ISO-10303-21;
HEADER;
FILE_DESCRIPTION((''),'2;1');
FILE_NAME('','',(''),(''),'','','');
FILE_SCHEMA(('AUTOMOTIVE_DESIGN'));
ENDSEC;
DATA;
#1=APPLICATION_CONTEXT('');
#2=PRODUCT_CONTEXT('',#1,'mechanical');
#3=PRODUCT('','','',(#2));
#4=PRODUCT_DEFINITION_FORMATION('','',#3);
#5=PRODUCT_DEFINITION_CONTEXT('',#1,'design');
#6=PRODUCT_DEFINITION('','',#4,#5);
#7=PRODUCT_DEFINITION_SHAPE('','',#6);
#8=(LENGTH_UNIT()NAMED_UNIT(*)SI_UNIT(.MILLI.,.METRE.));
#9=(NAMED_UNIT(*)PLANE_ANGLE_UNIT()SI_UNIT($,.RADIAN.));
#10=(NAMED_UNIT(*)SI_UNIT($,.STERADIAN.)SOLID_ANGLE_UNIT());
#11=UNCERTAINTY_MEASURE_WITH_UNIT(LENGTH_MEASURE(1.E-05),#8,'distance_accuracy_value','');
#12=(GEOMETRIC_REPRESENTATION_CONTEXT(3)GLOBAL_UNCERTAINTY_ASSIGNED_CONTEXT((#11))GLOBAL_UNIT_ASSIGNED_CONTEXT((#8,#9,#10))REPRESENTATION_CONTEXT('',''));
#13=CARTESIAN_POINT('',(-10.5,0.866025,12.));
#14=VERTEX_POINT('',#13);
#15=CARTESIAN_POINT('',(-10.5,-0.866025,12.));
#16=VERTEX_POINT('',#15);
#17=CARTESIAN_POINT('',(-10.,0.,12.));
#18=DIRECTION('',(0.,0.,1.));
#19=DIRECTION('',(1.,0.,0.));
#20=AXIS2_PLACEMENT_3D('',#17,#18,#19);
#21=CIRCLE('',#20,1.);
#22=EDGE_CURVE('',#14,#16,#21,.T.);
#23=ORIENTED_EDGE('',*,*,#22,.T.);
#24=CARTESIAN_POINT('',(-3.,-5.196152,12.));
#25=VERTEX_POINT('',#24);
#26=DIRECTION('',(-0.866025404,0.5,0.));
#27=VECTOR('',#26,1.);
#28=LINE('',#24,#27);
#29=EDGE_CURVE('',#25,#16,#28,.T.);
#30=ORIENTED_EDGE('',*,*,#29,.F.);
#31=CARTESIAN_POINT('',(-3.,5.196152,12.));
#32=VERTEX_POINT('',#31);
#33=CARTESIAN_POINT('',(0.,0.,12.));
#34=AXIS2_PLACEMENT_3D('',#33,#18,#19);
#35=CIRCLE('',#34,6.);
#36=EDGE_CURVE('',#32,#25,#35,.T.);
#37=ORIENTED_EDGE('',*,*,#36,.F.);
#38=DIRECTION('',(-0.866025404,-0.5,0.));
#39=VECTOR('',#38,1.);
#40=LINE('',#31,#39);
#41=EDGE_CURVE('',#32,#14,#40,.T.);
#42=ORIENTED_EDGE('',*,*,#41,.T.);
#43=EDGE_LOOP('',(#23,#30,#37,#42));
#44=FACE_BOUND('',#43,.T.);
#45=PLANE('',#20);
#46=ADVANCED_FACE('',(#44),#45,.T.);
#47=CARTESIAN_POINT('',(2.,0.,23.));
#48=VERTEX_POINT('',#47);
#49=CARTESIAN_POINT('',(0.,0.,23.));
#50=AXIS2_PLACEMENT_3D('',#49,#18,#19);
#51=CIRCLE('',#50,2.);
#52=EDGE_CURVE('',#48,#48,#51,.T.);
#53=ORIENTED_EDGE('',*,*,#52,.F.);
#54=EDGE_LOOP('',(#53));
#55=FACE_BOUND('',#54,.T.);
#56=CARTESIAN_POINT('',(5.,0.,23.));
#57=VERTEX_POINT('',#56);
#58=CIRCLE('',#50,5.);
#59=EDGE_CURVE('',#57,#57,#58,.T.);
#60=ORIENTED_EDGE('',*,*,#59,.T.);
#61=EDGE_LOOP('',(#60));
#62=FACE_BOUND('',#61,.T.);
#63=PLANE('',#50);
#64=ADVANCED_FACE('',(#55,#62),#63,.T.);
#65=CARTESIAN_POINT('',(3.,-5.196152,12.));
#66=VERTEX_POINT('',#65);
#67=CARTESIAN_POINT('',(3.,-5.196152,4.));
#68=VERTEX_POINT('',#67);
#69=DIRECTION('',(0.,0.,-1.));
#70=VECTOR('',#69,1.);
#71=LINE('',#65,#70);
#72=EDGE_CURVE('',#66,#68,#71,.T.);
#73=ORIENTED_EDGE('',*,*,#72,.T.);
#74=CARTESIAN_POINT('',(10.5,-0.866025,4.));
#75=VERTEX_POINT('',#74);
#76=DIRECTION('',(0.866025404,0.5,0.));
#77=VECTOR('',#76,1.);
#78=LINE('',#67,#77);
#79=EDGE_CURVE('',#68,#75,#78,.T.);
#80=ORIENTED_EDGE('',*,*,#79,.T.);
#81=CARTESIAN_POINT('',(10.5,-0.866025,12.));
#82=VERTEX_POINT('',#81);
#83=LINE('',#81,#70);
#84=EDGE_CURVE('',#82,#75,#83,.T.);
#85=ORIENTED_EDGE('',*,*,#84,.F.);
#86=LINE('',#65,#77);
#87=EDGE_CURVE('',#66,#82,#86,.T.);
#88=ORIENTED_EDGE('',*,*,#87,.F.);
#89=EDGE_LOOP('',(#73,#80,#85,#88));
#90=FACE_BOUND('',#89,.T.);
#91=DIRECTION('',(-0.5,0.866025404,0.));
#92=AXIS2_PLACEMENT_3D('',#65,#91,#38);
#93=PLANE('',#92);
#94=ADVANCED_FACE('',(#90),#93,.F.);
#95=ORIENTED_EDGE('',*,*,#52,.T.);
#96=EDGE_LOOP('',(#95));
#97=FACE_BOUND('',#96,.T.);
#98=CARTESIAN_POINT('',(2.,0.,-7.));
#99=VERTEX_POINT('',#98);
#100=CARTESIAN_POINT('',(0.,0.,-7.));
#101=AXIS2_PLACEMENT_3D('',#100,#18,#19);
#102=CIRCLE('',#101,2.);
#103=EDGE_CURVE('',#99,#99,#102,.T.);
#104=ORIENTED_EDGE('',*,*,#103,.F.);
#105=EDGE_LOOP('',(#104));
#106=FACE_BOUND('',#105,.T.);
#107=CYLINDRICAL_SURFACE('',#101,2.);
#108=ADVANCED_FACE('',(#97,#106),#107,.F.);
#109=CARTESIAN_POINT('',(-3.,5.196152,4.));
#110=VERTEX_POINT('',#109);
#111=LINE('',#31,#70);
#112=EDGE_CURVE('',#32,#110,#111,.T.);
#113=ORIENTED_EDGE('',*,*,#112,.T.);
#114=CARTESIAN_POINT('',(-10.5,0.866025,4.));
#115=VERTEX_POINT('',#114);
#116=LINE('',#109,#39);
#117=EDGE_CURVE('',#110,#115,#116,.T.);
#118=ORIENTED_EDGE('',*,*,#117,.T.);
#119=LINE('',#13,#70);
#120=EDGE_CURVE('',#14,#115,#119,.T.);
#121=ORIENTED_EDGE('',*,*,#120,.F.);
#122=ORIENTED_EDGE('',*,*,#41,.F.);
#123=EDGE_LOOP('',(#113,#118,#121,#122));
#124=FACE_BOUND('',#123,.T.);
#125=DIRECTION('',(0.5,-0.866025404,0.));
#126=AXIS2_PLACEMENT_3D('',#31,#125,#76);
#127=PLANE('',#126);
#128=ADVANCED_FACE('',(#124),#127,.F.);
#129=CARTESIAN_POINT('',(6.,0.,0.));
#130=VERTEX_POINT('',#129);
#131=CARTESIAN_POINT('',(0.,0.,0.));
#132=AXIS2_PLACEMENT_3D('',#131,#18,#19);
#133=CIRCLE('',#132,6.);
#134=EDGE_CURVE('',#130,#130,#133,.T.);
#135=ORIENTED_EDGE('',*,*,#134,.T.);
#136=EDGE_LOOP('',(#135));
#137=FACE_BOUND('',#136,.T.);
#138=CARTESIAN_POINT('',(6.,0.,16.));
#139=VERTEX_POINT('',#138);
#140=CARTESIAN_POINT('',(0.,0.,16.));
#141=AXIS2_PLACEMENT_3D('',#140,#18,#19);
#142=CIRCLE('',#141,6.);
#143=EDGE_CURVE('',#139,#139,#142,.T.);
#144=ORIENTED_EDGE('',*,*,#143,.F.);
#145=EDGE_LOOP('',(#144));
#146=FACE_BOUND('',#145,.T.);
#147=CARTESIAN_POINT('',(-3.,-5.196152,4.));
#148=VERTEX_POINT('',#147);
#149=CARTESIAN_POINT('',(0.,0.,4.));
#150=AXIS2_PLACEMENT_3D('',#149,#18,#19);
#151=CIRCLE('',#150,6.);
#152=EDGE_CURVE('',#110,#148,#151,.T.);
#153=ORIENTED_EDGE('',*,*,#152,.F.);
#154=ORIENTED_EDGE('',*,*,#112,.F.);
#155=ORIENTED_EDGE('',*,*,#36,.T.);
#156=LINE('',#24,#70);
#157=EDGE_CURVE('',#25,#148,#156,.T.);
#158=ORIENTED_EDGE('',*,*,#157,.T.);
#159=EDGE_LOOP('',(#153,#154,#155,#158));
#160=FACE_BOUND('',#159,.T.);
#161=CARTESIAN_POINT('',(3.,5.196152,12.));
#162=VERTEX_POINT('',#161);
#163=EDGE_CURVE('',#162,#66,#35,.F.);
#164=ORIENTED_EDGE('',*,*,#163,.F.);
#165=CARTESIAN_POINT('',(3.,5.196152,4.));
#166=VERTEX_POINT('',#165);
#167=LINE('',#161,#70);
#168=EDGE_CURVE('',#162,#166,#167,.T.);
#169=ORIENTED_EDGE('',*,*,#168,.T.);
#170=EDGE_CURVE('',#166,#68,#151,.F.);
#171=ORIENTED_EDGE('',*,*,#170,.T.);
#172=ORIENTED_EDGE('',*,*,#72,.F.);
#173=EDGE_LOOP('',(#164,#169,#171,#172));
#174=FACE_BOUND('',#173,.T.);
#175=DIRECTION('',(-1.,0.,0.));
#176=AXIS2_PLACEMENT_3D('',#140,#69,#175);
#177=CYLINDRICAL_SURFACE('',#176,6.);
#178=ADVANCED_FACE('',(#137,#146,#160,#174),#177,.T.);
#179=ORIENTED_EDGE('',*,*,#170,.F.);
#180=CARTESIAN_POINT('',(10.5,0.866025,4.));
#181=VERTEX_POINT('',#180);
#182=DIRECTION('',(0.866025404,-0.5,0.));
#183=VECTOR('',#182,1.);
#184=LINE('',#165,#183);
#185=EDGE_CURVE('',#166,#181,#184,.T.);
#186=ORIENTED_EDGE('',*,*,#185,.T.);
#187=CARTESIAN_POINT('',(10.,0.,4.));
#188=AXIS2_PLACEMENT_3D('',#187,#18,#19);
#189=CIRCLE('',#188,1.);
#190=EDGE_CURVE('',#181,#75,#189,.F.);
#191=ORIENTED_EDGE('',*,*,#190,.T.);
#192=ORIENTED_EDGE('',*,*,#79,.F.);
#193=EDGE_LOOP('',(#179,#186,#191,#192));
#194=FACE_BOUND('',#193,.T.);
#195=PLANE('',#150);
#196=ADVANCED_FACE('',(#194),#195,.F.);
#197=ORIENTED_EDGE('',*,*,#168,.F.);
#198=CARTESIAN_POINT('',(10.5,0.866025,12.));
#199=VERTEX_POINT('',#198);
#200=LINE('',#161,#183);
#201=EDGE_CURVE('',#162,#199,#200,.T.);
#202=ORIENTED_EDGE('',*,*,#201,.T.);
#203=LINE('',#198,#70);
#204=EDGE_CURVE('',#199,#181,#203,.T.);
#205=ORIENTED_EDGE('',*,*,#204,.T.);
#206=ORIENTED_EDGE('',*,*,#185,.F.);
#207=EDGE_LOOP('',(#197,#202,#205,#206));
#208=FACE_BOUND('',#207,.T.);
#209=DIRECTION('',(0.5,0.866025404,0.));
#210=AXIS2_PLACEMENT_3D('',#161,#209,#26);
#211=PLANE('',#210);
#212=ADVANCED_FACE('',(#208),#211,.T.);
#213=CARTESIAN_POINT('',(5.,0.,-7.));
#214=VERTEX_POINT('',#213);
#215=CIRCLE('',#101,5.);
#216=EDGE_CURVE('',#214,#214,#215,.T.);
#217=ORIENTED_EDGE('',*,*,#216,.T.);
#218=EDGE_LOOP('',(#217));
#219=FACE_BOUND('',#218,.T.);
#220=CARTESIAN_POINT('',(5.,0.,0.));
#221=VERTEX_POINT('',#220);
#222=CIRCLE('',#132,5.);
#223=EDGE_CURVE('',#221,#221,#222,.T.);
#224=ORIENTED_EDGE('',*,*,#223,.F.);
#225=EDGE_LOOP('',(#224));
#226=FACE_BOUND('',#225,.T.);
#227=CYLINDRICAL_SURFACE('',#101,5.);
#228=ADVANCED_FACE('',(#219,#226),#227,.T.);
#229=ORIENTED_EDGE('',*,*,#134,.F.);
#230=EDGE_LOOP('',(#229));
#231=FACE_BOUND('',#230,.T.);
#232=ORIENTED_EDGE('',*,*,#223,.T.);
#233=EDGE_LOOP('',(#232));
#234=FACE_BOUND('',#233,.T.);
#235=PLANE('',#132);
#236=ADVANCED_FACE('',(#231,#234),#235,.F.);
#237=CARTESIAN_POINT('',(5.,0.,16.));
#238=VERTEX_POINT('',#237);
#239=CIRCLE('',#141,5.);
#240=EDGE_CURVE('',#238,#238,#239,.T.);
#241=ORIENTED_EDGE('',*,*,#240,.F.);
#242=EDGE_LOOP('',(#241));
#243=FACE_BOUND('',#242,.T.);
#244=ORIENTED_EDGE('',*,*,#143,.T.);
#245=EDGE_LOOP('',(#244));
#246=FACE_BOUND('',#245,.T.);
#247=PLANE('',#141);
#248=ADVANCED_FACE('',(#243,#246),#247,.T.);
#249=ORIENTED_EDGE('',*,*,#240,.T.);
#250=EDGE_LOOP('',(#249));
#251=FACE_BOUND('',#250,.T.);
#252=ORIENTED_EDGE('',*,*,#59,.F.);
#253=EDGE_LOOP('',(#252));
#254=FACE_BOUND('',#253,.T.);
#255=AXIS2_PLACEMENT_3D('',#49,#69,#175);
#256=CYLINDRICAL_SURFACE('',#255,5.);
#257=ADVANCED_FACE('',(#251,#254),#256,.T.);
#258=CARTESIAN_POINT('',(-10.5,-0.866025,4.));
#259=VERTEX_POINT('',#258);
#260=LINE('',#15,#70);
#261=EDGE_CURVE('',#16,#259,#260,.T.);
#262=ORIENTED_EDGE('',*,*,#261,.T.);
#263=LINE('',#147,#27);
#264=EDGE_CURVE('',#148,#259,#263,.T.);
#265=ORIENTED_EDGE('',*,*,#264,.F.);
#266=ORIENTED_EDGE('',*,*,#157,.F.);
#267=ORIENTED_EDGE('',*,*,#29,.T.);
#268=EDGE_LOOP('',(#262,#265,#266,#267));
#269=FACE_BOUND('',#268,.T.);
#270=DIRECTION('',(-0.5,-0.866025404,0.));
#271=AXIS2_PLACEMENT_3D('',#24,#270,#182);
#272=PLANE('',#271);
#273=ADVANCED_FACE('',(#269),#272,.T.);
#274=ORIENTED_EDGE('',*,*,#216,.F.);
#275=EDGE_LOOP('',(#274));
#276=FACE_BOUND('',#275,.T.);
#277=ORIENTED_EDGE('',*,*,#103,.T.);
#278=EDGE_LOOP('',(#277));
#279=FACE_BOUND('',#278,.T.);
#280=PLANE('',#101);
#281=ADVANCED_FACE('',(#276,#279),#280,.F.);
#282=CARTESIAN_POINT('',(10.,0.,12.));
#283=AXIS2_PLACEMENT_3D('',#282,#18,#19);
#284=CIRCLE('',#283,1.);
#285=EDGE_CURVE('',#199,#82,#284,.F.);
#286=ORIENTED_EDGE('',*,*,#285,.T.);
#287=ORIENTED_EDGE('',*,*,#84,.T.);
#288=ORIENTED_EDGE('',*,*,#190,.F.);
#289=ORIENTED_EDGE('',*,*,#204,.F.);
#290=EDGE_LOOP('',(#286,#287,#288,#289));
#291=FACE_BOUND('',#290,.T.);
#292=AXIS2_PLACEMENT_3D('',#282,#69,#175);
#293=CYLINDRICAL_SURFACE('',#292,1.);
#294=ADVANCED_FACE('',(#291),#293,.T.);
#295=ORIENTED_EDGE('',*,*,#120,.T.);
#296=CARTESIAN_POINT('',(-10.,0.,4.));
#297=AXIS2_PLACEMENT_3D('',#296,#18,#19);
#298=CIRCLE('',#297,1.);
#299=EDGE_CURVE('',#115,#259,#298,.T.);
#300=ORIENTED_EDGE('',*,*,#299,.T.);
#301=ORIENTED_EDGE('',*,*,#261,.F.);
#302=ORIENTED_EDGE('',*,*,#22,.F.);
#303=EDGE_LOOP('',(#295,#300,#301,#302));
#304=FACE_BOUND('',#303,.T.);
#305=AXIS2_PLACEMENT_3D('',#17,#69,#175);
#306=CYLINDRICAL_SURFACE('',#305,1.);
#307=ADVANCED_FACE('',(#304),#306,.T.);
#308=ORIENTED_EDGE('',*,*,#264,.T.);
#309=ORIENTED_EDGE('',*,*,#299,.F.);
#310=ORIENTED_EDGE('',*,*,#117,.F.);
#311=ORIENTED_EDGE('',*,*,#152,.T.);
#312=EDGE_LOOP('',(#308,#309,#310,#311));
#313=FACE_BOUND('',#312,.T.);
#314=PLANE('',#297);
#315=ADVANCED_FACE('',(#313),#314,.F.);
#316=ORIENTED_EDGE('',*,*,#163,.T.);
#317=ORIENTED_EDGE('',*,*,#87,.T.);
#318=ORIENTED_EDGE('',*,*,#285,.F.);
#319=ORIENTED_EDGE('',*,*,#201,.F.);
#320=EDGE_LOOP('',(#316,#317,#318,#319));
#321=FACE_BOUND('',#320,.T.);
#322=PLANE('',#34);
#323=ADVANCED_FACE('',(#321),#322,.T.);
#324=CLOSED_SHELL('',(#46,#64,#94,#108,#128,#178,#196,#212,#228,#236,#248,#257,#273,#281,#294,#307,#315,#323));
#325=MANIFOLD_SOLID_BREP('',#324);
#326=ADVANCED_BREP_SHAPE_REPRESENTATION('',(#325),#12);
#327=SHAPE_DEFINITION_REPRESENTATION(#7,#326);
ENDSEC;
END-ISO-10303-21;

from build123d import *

# Parameters (mm, degrees)
SKETCH_1_R          = 6
EXTRUDE_1_DEPTH     = 16
EXTRUDE_START       = 4
EXTRUDE_6_DEPTH     = 8
SKETCH_9_R          = 5
EXTRUDE_7_DEPTH     = 7
EXTRUDE_START_2     = -23
SKETCH_9_2_R        = 5
EXTRUDE_8_DEPTH     = 7
SKETCH_11_R         = 2
CUT_EXTRUDE_1_DEPTH = 33.511536414


with BuildPart() as part:
    # 草图1 → 凸台-拉伸1 (new body)
    with BuildSketch(Plane.XY):
        Circle(SKETCH_1_R)
    extrude(amount=EXTRUDE_1_DEPTH)

    # 草图8 → 凸台-拉伸6 (add)
    with BuildSketch(Plane.XY.offset(EXTRUDE_START)):
        with BuildLine():
            Line((10.5, 0.866025404), (3, 5.196152423))
            ThreePointArc((3, 5.196152423), (6, 0), (3, -5.196152423))
            Line((3, -5.196152423), (10.5, -0.866025404))
            ThreePointArc((10.5, -0.866025404), (11, 0), (10.5, 0.866025404))
        make_face()
        with BuildLine():
            Line((-10.5, -0.866025404), (-3, -5.196152423))
            ThreePointArc((-3, -5.196152423), (-6, 0), (-3, 5.196152423))
            Line((-3, 5.196152423), (-10.5, 0.866025404))
            ThreePointArc((-10.5, 0.866025404), (-11, 0), (-10.5, -0.866025404))
        make_face()
    extrude(amount=EXTRUDE_6_DEPTH)

    # 草图9 → 凸台-拉伸7 (add)
    with BuildSketch(Plane.XY.offset(16)):
        Circle(SKETCH_9_R)
    extrude(amount=EXTRUDE_7_DEPTH)

    # 草图9<2> → 凸台-拉伸8 (add)
    with BuildSketch(Plane.XY.offset(16).offset(EXTRUDE_START_2)):
        Circle(SKETCH_9_2_R)
    extrude(amount=EXTRUDE_8_DEPTH)

    # 草图11 → 切除-拉伸1 (cut, through all)
    with BuildSketch(Plane.XY.offset(23)):
        Circle(SKETCH_11_R)
    extrude(amount=-CUT_EXTRUDE_1_DEPTH, mode=Mode.SUBTRACT)


solid = part.part
